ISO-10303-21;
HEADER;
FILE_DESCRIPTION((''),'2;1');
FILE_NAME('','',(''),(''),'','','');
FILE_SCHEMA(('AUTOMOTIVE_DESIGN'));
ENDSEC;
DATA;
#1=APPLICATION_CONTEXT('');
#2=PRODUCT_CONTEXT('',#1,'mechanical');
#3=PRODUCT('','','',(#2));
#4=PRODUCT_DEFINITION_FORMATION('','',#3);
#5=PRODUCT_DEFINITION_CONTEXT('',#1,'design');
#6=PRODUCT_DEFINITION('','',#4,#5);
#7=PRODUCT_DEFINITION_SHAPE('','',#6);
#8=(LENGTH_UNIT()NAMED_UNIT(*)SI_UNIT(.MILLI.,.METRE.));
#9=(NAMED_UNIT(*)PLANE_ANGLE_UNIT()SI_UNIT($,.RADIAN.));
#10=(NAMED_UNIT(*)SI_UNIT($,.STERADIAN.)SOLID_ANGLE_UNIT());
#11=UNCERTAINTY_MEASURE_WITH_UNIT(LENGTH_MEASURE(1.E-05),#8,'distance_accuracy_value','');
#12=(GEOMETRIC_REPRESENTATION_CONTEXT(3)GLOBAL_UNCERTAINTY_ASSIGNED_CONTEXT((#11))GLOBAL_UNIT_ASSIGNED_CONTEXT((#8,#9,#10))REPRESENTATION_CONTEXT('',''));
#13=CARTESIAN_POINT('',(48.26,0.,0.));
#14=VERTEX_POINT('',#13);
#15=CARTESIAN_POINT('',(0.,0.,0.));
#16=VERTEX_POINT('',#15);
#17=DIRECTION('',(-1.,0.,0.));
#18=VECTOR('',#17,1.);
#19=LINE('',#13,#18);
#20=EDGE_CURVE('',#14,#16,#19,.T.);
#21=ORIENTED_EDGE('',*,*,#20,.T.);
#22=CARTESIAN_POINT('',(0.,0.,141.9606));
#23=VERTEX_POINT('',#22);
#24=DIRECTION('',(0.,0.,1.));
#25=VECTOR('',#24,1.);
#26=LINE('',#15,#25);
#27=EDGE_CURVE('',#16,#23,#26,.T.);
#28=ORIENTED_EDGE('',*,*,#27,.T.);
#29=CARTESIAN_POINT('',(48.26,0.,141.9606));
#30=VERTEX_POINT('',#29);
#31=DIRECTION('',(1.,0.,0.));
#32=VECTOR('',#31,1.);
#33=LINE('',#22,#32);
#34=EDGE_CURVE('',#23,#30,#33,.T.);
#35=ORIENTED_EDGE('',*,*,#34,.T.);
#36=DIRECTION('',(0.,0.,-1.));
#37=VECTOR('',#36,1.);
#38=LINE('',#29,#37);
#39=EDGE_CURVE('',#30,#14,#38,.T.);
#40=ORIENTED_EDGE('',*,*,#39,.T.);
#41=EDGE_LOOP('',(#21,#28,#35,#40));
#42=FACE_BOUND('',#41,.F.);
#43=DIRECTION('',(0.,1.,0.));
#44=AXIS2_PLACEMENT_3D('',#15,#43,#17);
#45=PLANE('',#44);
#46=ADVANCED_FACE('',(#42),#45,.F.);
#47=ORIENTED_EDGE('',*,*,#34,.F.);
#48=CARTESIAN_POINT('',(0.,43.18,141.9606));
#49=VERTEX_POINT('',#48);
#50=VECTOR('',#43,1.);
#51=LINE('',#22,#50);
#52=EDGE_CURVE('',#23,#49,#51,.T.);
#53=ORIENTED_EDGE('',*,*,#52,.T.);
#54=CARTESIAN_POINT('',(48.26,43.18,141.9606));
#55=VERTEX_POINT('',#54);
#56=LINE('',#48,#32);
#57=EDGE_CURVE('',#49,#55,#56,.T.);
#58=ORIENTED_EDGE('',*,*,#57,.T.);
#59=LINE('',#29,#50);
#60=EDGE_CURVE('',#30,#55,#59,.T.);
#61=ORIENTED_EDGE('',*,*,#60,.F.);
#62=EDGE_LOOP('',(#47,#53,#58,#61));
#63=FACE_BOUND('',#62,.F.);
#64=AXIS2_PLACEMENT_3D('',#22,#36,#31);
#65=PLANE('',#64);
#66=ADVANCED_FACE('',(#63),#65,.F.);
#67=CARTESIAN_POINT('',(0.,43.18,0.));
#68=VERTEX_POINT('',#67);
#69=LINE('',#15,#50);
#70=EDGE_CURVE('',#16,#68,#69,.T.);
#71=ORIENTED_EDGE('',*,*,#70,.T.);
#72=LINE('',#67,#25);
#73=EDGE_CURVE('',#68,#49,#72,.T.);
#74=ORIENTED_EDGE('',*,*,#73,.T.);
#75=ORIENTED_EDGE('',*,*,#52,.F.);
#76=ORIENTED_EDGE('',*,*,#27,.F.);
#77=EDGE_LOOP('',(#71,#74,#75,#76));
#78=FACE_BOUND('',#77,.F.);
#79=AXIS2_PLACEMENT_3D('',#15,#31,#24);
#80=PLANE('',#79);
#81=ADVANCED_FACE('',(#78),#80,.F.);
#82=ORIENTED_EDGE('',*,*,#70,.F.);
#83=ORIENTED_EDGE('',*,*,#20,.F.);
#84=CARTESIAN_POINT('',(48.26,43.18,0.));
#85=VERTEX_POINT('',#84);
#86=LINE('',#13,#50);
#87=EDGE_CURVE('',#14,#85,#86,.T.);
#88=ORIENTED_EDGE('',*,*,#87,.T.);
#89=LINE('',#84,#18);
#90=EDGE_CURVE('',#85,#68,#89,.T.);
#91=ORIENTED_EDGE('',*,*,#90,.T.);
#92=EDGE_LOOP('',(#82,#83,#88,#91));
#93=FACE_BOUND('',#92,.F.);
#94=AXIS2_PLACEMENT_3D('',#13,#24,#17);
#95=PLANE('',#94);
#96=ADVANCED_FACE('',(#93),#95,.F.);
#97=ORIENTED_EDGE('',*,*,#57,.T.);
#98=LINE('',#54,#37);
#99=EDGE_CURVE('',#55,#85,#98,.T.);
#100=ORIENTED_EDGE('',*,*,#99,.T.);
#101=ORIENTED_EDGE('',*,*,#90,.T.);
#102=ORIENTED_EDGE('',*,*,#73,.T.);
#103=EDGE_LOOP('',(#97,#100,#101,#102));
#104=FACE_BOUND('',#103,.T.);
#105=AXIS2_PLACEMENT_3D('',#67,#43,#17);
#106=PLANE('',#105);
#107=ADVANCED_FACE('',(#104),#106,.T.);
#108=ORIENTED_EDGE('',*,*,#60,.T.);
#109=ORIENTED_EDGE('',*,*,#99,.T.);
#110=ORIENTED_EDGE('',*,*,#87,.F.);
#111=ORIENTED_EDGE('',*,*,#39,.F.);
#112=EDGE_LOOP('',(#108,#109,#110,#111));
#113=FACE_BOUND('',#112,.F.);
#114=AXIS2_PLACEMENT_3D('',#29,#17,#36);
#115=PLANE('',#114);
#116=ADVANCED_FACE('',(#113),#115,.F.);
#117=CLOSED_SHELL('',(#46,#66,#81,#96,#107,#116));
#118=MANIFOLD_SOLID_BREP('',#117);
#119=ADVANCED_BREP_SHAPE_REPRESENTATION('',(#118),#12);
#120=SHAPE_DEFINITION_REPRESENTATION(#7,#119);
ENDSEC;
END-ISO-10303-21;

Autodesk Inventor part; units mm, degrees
ref_plane "YZ Plane" through (0, 0, 0) normal (1, 0, 0) x (0, 1, 0)
ref_plane "XZ Plane" through (0, 0, 0) normal (0, 1, 0) x (-1, 0, 0)
ref_plane "XY Plane" through (0, 0, 0) normal (0, 0, 1) x (1, 0, 0)
sketch "Sketch1" plane through (0, 0, 0) normal (0, 1, 0) x (-1, 0, 0)
  line L0 (0, 0) -> (0, 141.9606)
  line L1 (0, 141.9606) -> (-48.26, 141.9606)
  line L2 (-48.26, 141.9606) -> (-48.26, 0)
  line L3 (-48.26, 0) -> (0, 0)
  dimension "d0" = 141.9606
  dimension "d1" = 48.26
extrude "Extrusion1" add sketch "Sketch1" along normal blind 43.18
properties part number "battery"
